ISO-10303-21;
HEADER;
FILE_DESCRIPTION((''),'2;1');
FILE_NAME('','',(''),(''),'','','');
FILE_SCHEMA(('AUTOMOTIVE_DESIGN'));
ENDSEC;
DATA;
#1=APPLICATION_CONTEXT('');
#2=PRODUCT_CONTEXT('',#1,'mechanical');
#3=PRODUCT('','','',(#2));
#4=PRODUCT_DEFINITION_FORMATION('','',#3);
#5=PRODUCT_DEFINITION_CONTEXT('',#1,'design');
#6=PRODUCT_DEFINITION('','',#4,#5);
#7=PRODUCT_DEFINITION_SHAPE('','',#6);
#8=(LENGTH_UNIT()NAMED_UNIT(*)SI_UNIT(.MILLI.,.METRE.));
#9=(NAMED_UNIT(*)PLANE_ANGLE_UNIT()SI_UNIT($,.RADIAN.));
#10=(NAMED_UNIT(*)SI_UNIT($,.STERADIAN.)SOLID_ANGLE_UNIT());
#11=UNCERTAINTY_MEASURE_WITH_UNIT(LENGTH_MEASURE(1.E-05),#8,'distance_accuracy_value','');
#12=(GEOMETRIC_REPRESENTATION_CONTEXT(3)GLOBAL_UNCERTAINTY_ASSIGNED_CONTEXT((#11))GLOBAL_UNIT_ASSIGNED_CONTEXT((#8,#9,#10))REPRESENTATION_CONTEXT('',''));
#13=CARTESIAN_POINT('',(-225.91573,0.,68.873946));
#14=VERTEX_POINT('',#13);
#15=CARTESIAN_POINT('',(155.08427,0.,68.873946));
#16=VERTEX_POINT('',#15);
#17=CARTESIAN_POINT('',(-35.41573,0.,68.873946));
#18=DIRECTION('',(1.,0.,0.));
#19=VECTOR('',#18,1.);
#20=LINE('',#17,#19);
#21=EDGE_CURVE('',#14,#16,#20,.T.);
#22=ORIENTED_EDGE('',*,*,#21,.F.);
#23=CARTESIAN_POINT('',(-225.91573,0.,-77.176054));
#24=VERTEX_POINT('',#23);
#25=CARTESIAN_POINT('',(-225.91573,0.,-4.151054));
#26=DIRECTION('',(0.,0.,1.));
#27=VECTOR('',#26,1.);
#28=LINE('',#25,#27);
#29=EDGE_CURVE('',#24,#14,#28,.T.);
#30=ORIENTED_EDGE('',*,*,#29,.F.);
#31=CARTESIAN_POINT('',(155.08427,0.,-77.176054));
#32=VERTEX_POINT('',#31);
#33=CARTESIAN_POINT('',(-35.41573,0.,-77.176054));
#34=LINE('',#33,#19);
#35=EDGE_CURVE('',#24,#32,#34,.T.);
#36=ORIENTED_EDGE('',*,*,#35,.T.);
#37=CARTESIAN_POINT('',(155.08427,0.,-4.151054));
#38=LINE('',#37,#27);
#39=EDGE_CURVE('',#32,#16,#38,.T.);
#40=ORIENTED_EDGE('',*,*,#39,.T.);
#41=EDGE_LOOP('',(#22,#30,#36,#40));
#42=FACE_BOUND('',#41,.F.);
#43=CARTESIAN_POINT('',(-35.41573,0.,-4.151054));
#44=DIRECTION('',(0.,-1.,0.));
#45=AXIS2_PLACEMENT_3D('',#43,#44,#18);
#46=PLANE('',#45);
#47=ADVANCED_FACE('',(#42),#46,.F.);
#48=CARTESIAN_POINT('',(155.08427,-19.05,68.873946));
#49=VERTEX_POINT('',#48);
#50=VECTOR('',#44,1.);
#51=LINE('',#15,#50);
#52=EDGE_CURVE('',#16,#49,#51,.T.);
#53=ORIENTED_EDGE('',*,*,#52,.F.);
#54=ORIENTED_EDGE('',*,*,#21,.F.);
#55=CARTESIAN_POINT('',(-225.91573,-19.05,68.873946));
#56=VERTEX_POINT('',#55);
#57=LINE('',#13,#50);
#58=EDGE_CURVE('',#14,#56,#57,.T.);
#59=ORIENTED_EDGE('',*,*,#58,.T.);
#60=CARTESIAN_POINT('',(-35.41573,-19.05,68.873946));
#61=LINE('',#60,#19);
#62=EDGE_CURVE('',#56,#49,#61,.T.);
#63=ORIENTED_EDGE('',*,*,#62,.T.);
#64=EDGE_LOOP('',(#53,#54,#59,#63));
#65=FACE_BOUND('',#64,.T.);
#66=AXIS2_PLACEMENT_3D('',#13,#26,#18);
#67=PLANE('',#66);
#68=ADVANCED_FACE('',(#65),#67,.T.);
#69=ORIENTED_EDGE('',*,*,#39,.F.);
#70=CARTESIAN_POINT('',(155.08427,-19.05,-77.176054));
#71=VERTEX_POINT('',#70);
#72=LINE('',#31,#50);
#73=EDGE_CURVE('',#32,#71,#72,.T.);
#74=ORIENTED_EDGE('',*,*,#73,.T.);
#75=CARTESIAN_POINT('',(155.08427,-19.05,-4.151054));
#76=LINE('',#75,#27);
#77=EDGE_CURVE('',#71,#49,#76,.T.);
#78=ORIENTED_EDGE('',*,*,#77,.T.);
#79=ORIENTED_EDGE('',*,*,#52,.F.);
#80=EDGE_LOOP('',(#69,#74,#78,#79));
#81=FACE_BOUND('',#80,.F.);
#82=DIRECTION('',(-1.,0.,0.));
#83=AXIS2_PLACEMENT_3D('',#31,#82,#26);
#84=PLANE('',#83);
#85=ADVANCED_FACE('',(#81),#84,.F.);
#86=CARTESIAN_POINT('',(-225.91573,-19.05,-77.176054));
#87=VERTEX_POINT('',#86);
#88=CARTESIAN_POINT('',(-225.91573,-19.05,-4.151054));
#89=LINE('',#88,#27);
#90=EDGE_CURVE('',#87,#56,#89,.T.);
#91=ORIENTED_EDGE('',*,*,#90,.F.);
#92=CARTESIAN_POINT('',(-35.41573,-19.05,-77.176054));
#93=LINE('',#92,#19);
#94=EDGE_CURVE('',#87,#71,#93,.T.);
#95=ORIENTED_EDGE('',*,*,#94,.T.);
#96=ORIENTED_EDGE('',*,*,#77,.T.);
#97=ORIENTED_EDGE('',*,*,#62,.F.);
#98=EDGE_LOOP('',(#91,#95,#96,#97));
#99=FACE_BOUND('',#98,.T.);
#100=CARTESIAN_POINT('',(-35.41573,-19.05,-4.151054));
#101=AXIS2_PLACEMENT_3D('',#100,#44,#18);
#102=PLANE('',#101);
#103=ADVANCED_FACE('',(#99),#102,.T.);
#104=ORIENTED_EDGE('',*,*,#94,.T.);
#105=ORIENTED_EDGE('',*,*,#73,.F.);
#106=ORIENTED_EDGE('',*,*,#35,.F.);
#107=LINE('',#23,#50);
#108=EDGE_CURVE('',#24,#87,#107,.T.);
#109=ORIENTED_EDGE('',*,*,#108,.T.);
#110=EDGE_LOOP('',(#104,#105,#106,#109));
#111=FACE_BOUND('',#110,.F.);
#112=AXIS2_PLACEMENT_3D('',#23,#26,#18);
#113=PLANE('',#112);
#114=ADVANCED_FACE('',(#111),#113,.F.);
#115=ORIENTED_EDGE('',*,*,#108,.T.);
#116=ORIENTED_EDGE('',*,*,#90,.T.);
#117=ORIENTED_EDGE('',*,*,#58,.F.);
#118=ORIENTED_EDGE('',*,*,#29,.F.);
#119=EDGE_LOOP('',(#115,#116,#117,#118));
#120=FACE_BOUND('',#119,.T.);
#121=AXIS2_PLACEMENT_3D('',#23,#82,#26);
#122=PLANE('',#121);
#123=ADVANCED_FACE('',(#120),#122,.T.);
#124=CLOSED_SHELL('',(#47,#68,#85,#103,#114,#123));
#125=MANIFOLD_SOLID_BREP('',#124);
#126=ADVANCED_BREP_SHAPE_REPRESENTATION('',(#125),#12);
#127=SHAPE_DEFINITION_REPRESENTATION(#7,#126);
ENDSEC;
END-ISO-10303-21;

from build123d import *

# Parameters (mm, degrees)
F0_W     = 390.3202265501
F0_H     = 155.9184342623
F1_DEPTH = 25.4
F3_W     = 381
F3_H     = 152.4
F4_DEPTH = 25.4
F6_W     = 381
F6_H     = 146.05
F7_DEPTH = 19.05


with BuildPart() as f1:
    # F0 (on Right) → F1 (new body)
    with BuildSketch(Plane.YZ):
        with Locations((4.6128705144, -15.4182091355)):
            Rectangle(F0_W, F0_H)
    extrude(amount=F1_DEPTH)


with BuildPart() as f4:
    # F3 (on Front) → F4 (new body)
    with BuildSketch(Plane.XZ):
        with Locations((8.0656352626, 25.2555180341)):
            Rectangle(F3_W, F3_H)
    extrude(amount=F4_DEPTH)


with BuildPart() as f7:
    # F6 (on Front) → F7 (new body)
    with BuildSketch(Plane.XZ):
        with Locations((-35.415730298, -4.1510537267)):
            Rectangle(F6_W, F6_H)
    extrude(amount=F7_DEPTH)


solid = f7.part
